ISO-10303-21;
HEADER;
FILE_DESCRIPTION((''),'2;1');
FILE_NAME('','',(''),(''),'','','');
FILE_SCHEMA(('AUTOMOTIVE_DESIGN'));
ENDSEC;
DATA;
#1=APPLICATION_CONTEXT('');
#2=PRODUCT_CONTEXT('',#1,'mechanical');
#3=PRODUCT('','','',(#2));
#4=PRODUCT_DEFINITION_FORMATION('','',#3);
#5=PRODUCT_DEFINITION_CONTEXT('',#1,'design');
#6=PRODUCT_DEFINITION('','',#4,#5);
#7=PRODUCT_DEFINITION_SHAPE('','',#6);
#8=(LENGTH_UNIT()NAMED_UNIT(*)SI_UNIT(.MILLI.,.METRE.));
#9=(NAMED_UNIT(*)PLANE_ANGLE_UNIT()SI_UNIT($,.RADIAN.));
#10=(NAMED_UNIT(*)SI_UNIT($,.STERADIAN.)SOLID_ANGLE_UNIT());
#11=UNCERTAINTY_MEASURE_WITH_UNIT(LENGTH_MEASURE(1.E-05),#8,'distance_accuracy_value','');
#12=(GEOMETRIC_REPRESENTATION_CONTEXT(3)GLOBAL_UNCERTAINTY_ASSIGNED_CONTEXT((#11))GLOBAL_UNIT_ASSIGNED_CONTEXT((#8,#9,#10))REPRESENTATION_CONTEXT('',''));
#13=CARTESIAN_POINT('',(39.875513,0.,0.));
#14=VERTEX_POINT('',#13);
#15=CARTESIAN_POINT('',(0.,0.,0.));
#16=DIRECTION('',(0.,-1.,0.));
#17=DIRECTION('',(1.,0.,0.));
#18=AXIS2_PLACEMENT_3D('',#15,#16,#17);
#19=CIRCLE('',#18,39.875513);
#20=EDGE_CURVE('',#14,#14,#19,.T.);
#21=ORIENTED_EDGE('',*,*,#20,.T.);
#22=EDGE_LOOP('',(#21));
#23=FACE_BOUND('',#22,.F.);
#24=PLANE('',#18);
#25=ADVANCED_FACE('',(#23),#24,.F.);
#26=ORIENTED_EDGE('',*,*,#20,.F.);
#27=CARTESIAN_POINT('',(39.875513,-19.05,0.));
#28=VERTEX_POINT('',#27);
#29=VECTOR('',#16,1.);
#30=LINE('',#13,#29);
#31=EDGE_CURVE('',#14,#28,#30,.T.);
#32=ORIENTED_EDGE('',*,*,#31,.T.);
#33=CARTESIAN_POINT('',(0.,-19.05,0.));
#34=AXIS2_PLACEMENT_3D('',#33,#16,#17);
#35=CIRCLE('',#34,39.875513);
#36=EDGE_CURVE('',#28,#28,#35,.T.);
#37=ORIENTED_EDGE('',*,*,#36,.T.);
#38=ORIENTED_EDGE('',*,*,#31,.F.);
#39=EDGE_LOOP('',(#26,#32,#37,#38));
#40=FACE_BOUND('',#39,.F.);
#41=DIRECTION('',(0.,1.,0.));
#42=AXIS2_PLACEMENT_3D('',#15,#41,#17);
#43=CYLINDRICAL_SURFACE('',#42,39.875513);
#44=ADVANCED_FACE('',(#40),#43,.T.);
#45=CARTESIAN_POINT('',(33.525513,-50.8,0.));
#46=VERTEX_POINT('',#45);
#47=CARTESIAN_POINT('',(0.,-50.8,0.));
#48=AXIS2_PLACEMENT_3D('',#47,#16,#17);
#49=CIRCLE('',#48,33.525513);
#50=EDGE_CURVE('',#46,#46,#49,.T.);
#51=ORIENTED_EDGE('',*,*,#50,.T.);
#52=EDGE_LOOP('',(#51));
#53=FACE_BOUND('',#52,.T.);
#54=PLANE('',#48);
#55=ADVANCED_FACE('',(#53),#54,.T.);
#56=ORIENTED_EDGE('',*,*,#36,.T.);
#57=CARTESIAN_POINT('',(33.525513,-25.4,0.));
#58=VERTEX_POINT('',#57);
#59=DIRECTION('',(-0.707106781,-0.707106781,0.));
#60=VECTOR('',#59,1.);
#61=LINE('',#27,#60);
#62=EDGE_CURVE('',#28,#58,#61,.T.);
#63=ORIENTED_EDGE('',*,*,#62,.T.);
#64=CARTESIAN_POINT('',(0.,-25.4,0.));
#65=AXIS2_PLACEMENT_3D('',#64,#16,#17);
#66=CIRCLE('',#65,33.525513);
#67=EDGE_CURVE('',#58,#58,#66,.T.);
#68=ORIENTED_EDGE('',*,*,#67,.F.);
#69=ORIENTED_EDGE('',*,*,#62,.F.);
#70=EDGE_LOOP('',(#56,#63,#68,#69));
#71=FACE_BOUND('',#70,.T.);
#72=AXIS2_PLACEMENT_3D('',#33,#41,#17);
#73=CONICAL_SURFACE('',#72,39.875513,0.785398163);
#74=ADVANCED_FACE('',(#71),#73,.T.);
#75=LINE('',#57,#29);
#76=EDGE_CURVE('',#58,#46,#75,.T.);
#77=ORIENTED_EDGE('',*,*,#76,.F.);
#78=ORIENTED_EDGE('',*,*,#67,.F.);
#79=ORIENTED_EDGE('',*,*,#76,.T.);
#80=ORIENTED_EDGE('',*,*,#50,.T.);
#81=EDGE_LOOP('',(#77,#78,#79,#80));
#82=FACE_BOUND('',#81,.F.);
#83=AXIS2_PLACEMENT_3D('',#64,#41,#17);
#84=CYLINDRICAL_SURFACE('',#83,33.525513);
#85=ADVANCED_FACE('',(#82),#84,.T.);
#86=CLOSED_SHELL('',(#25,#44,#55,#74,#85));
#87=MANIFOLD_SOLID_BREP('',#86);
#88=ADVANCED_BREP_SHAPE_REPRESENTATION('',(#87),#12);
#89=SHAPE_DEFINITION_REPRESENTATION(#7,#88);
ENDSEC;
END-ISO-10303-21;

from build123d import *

# Parameters (mm, degrees)
F0_R      = 39.875513
F1_DEPTH  = 25.4
F2_SIZE   = 6.35
F1_FACE_R = 33.525513
F4_DEPTH  = 25.4


with BuildPart() as f1:
    # F0 (on Front) → F1 (new body)
    with BuildSketch(Plane.XZ):
        Circle(F0_R)
    extrude(amount=F1_DEPTH)

    # F2
    f2_edges = [f1.edges().sort_by_distance(p)[0] for p in [
        (-39.875513, -25.4, 0),
    ]]
    chamfer(f2_edges, length=F2_SIZE)

    # F1_face (on face) → F4 (join)
    with BuildSketch(Plane.XZ.offset(25.4)):
        Circle(F1_FACE_R)
    extrude(amount=F4_DEPTH)


solid = f1.part
